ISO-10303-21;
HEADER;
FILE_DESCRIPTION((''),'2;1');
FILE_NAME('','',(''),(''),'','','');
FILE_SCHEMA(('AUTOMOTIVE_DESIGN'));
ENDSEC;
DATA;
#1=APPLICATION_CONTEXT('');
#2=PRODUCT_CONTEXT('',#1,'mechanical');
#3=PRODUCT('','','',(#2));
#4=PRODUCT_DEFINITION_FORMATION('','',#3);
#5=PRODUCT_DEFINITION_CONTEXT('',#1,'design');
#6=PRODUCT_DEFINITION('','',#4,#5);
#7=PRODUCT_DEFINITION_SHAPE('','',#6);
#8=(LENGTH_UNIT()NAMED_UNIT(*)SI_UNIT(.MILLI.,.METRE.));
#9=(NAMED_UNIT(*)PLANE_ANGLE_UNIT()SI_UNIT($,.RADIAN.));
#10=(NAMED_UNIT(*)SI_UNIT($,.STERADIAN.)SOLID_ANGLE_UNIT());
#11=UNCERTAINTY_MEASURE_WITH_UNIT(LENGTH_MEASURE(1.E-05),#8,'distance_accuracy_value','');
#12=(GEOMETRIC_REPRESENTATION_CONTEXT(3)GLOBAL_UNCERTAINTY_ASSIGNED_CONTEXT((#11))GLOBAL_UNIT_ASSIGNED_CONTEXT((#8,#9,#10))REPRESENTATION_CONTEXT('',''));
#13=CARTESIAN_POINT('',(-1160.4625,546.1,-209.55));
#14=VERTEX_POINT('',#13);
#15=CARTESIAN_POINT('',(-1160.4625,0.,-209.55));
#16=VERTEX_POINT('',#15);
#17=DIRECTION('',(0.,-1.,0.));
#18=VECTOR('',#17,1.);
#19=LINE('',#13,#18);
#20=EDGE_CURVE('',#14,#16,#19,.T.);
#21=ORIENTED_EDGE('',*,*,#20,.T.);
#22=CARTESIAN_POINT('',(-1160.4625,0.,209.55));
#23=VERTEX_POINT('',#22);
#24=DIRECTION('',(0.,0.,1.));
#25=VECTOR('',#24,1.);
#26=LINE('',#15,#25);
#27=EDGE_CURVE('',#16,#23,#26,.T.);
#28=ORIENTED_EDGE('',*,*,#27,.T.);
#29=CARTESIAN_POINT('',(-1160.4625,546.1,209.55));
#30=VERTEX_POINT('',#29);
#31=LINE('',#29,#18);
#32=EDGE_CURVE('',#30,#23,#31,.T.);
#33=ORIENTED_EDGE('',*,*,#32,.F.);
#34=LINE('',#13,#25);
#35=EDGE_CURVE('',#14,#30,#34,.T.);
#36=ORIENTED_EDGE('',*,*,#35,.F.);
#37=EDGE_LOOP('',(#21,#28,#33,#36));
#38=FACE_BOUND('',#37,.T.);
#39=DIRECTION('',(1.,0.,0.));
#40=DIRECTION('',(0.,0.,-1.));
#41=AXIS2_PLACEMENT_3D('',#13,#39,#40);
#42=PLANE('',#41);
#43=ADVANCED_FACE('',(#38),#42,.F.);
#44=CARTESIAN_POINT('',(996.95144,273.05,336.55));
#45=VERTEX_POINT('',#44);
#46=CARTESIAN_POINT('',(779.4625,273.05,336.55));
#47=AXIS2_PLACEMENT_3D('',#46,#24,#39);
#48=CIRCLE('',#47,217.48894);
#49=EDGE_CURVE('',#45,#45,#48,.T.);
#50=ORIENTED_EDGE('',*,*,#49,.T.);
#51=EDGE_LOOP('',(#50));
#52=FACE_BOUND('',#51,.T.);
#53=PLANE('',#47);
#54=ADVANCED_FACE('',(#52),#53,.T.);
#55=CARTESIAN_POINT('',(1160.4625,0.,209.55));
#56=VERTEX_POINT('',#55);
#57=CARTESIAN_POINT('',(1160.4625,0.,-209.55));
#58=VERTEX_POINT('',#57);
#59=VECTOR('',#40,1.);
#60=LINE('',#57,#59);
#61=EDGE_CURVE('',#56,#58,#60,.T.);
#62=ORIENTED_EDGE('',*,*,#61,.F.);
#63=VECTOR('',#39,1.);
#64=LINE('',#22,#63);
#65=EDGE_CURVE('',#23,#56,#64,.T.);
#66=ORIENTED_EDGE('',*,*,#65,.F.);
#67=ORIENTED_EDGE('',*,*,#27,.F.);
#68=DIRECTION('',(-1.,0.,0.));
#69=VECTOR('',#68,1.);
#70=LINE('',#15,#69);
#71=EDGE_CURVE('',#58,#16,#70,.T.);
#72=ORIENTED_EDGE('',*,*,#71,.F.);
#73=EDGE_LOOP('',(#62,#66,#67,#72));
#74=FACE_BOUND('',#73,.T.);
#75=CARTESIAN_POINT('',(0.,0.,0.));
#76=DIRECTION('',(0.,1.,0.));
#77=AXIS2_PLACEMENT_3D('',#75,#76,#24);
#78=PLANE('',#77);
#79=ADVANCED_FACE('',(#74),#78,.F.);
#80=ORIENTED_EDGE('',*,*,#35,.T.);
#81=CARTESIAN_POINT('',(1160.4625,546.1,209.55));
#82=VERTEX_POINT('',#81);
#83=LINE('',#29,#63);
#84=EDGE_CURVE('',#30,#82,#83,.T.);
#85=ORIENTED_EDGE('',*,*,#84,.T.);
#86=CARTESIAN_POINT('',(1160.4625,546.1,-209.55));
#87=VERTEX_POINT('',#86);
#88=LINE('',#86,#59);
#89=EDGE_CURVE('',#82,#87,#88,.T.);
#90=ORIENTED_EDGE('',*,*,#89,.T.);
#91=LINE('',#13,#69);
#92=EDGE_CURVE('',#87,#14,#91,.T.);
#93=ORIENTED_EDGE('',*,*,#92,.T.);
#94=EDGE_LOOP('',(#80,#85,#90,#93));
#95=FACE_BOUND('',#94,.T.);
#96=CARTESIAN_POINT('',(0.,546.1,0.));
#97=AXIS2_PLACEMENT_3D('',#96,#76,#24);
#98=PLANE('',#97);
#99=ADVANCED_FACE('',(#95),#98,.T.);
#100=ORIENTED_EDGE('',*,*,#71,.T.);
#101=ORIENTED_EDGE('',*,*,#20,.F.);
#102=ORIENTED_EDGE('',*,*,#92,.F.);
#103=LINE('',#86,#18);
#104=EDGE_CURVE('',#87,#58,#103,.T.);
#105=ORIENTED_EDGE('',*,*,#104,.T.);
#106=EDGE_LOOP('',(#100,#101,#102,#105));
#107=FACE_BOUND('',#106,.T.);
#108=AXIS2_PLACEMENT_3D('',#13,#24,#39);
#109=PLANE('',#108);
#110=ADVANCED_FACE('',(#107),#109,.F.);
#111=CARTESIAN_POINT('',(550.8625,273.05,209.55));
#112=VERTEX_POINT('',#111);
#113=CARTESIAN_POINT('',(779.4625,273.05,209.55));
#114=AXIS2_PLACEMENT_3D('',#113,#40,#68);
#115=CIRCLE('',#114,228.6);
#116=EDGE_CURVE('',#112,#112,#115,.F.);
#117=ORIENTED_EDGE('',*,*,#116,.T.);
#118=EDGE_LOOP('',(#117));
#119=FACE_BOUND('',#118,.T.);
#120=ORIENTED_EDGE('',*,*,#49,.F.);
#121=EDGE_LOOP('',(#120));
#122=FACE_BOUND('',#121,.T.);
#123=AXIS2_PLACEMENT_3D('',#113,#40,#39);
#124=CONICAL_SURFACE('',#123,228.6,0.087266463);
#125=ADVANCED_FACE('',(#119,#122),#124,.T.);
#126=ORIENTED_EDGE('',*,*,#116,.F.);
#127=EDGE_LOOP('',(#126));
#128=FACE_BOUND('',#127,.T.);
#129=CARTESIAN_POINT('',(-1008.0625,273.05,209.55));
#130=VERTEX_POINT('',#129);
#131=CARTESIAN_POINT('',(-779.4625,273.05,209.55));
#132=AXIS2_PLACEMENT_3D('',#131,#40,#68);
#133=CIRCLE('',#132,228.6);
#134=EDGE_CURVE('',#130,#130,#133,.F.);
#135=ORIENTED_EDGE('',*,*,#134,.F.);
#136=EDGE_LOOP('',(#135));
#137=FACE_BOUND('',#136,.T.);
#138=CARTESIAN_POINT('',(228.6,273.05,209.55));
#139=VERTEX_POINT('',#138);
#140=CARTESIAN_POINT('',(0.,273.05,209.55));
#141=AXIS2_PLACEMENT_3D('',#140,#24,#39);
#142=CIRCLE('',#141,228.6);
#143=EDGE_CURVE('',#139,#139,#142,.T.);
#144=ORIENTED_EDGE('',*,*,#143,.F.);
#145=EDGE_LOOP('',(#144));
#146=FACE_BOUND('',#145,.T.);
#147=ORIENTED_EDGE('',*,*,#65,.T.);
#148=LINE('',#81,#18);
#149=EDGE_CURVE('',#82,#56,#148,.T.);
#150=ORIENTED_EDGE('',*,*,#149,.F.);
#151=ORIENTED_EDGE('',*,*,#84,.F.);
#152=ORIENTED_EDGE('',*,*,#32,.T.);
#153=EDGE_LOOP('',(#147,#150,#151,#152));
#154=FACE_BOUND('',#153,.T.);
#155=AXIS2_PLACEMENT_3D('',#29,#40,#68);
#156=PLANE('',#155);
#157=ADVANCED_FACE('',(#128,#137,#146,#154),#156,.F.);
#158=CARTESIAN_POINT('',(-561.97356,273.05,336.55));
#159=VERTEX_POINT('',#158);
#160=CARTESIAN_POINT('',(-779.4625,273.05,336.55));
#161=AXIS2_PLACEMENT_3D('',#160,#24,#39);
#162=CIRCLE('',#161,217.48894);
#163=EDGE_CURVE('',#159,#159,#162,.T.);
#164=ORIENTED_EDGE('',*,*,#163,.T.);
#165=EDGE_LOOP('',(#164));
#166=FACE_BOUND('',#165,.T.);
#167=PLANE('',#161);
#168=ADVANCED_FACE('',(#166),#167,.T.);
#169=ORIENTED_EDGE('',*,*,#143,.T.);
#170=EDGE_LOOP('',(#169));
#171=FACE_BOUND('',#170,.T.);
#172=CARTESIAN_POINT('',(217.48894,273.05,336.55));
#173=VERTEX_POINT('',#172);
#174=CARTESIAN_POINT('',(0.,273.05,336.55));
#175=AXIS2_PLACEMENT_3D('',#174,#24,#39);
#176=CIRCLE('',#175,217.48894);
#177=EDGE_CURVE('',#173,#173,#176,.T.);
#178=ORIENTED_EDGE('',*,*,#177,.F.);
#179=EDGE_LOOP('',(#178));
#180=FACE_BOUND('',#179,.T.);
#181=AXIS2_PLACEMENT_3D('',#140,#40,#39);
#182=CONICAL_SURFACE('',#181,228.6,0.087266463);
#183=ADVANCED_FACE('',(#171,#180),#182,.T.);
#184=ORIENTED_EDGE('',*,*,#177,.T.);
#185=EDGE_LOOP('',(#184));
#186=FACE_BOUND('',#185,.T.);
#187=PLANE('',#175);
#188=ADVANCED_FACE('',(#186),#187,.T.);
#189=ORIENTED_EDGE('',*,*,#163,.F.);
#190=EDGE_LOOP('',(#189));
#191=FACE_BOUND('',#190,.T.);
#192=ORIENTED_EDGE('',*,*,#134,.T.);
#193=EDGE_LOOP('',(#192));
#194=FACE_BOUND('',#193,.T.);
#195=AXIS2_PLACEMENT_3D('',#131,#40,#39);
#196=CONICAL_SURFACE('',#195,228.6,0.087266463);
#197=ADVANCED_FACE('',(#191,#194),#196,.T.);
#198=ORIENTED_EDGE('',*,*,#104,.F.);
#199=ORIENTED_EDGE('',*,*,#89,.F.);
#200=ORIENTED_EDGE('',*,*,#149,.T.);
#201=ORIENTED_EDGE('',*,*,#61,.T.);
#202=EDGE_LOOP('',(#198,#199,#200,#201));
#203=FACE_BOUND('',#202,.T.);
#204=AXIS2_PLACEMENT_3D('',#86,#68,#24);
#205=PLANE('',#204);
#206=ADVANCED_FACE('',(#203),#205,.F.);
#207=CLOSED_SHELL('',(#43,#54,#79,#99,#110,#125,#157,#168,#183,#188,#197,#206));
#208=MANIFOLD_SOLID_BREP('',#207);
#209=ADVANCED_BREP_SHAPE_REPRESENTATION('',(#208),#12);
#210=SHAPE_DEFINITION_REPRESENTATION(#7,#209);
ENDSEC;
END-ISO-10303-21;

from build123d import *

# Parameters (mm, degrees)
SKETCH1_W                     = 2320.925
SKETCH1_H                     = 419.1
BOSS_EXTRUDE1_DEPTH           = 546.1
SKETCH2_R                     = 228.6
BOSS_EXTRUDE2_DEPTH           = 127
BOSS_EXTRUDE2_DRAFT           = 5
BOSS_EXTRUDE2_PROFILE_2_DEPTH = 127
BOSS_EXTRUDE2_PROFILE_2_DRAFT = 5
BOSS_EXTRUDE2_PROFILE_3_DEPTH = 127
BOSS_EXTRUDE2_PROFILE_3_DRAFT = 5


with BuildPart() as part:
    # Sketch1 → Boss-Extrude1 (new body)
    with BuildSketch(Plane(origin=(0, 0, 0), x_dir=(1, 0, 0), z_dir=(0, 1, 0))):
        Rectangle(SKETCH1_W, SKETCH1_H)
    extrude(amount=BOSS_EXTRUDE1_DEPTH)


with BuildPart() as boss_extrude2_tool:
    # Sketch2 → Boss-Extrude2 (with draft: the straight prism first)
    with BuildSketch(Plane.XY.offset(209.55)):
        with Locations((0, 273.05)):
            Circle(SKETCH2_R)
    extrude(amount=BOSS_EXTRUDE2_DEPTH)
    # Boss-Extrude2: the draft: its side faces are tilted about the plane it starts from
    boss_extrude2_sides = [boss_extrude2_tool.faces().sort_by_distance(p)[0] for p in [
        (-228.6, 273.05, 273.05),
    ]]
    draft(boss_extrude2_sides, Plane.XY.offset(209.55), BOSS_EXTRUDE2_DRAFT)


with BuildPart() as part_1:
    add(part.part)

    # Boss-Extrude2: add boss_extrude2_tool
    add(boss_extrude2_tool.part)


with BuildPart() as boss_extrude2_profile_2_tool:
    # Sketch2 → Boss-Extrude2 profile 2 (with draft: the straight prism first)
    with BuildSketch(Plane.XY.offset(209.55)):
        with Locations((779.4625, 273.05)):
            Circle(SKETCH2_R)
    extrude(amount=BOSS_EXTRUDE2_PROFILE_2_DEPTH)
    # Boss-Extrude2 profile 2: the draft: its side faces are tilted about the plane it starts from
    boss_extrude2_profile_2_sides = [boss_extrude2_profile_2_tool.faces().sort_by_distance(p)[0] for p in [
        (550.8625, 273.05, 273.05),
    ]]
    draft(boss_extrude2_profile_2_sides, Plane.XY.offset(209.55), BOSS_EXTRUDE2_PROFILE_2_DRAFT)


with BuildPart() as part_2:
    add(part_1.part)

    # Boss-Extrude2 profile 2: add boss_extrude2_profile_2_tool
    add(boss_extrude2_profile_2_tool.part)


with BuildPart() as boss_extrude2_profile_3_tool:
    # Sketch2 → Boss-Extrude2 profile 3 (with draft: the straight prism first)
    with BuildSketch(Plane.XY.offset(209.55)):
        with Locations((-779.4625, 273.05)):
            Circle(SKETCH2_R)
    extrude(amount=BOSS_EXTRUDE2_PROFILE_3_DEPTH)
    # Boss-Extrude2 profile 3: the draft: its side faces are tilted about the plane it starts from
    boss_extrude2_profile_3_sides = [boss_extrude2_profile_3_tool.faces().sort_by_distance(p)[0] for p in [
        (-1008.0625, 273.05, 273.05),
    ]]
    draft(boss_extrude2_profile_3_sides, Plane.XY.offset(209.55), BOSS_EXTRUDE2_PROFILE_3_DRAFT)


with BuildPart() as part_3:
    add(part_2.part)

    # Boss-Extrude2 profile 3: add boss_extrude2_profile_3_tool
    add(boss_extrude2_profile_3_tool.part)


solid = part_3.part
